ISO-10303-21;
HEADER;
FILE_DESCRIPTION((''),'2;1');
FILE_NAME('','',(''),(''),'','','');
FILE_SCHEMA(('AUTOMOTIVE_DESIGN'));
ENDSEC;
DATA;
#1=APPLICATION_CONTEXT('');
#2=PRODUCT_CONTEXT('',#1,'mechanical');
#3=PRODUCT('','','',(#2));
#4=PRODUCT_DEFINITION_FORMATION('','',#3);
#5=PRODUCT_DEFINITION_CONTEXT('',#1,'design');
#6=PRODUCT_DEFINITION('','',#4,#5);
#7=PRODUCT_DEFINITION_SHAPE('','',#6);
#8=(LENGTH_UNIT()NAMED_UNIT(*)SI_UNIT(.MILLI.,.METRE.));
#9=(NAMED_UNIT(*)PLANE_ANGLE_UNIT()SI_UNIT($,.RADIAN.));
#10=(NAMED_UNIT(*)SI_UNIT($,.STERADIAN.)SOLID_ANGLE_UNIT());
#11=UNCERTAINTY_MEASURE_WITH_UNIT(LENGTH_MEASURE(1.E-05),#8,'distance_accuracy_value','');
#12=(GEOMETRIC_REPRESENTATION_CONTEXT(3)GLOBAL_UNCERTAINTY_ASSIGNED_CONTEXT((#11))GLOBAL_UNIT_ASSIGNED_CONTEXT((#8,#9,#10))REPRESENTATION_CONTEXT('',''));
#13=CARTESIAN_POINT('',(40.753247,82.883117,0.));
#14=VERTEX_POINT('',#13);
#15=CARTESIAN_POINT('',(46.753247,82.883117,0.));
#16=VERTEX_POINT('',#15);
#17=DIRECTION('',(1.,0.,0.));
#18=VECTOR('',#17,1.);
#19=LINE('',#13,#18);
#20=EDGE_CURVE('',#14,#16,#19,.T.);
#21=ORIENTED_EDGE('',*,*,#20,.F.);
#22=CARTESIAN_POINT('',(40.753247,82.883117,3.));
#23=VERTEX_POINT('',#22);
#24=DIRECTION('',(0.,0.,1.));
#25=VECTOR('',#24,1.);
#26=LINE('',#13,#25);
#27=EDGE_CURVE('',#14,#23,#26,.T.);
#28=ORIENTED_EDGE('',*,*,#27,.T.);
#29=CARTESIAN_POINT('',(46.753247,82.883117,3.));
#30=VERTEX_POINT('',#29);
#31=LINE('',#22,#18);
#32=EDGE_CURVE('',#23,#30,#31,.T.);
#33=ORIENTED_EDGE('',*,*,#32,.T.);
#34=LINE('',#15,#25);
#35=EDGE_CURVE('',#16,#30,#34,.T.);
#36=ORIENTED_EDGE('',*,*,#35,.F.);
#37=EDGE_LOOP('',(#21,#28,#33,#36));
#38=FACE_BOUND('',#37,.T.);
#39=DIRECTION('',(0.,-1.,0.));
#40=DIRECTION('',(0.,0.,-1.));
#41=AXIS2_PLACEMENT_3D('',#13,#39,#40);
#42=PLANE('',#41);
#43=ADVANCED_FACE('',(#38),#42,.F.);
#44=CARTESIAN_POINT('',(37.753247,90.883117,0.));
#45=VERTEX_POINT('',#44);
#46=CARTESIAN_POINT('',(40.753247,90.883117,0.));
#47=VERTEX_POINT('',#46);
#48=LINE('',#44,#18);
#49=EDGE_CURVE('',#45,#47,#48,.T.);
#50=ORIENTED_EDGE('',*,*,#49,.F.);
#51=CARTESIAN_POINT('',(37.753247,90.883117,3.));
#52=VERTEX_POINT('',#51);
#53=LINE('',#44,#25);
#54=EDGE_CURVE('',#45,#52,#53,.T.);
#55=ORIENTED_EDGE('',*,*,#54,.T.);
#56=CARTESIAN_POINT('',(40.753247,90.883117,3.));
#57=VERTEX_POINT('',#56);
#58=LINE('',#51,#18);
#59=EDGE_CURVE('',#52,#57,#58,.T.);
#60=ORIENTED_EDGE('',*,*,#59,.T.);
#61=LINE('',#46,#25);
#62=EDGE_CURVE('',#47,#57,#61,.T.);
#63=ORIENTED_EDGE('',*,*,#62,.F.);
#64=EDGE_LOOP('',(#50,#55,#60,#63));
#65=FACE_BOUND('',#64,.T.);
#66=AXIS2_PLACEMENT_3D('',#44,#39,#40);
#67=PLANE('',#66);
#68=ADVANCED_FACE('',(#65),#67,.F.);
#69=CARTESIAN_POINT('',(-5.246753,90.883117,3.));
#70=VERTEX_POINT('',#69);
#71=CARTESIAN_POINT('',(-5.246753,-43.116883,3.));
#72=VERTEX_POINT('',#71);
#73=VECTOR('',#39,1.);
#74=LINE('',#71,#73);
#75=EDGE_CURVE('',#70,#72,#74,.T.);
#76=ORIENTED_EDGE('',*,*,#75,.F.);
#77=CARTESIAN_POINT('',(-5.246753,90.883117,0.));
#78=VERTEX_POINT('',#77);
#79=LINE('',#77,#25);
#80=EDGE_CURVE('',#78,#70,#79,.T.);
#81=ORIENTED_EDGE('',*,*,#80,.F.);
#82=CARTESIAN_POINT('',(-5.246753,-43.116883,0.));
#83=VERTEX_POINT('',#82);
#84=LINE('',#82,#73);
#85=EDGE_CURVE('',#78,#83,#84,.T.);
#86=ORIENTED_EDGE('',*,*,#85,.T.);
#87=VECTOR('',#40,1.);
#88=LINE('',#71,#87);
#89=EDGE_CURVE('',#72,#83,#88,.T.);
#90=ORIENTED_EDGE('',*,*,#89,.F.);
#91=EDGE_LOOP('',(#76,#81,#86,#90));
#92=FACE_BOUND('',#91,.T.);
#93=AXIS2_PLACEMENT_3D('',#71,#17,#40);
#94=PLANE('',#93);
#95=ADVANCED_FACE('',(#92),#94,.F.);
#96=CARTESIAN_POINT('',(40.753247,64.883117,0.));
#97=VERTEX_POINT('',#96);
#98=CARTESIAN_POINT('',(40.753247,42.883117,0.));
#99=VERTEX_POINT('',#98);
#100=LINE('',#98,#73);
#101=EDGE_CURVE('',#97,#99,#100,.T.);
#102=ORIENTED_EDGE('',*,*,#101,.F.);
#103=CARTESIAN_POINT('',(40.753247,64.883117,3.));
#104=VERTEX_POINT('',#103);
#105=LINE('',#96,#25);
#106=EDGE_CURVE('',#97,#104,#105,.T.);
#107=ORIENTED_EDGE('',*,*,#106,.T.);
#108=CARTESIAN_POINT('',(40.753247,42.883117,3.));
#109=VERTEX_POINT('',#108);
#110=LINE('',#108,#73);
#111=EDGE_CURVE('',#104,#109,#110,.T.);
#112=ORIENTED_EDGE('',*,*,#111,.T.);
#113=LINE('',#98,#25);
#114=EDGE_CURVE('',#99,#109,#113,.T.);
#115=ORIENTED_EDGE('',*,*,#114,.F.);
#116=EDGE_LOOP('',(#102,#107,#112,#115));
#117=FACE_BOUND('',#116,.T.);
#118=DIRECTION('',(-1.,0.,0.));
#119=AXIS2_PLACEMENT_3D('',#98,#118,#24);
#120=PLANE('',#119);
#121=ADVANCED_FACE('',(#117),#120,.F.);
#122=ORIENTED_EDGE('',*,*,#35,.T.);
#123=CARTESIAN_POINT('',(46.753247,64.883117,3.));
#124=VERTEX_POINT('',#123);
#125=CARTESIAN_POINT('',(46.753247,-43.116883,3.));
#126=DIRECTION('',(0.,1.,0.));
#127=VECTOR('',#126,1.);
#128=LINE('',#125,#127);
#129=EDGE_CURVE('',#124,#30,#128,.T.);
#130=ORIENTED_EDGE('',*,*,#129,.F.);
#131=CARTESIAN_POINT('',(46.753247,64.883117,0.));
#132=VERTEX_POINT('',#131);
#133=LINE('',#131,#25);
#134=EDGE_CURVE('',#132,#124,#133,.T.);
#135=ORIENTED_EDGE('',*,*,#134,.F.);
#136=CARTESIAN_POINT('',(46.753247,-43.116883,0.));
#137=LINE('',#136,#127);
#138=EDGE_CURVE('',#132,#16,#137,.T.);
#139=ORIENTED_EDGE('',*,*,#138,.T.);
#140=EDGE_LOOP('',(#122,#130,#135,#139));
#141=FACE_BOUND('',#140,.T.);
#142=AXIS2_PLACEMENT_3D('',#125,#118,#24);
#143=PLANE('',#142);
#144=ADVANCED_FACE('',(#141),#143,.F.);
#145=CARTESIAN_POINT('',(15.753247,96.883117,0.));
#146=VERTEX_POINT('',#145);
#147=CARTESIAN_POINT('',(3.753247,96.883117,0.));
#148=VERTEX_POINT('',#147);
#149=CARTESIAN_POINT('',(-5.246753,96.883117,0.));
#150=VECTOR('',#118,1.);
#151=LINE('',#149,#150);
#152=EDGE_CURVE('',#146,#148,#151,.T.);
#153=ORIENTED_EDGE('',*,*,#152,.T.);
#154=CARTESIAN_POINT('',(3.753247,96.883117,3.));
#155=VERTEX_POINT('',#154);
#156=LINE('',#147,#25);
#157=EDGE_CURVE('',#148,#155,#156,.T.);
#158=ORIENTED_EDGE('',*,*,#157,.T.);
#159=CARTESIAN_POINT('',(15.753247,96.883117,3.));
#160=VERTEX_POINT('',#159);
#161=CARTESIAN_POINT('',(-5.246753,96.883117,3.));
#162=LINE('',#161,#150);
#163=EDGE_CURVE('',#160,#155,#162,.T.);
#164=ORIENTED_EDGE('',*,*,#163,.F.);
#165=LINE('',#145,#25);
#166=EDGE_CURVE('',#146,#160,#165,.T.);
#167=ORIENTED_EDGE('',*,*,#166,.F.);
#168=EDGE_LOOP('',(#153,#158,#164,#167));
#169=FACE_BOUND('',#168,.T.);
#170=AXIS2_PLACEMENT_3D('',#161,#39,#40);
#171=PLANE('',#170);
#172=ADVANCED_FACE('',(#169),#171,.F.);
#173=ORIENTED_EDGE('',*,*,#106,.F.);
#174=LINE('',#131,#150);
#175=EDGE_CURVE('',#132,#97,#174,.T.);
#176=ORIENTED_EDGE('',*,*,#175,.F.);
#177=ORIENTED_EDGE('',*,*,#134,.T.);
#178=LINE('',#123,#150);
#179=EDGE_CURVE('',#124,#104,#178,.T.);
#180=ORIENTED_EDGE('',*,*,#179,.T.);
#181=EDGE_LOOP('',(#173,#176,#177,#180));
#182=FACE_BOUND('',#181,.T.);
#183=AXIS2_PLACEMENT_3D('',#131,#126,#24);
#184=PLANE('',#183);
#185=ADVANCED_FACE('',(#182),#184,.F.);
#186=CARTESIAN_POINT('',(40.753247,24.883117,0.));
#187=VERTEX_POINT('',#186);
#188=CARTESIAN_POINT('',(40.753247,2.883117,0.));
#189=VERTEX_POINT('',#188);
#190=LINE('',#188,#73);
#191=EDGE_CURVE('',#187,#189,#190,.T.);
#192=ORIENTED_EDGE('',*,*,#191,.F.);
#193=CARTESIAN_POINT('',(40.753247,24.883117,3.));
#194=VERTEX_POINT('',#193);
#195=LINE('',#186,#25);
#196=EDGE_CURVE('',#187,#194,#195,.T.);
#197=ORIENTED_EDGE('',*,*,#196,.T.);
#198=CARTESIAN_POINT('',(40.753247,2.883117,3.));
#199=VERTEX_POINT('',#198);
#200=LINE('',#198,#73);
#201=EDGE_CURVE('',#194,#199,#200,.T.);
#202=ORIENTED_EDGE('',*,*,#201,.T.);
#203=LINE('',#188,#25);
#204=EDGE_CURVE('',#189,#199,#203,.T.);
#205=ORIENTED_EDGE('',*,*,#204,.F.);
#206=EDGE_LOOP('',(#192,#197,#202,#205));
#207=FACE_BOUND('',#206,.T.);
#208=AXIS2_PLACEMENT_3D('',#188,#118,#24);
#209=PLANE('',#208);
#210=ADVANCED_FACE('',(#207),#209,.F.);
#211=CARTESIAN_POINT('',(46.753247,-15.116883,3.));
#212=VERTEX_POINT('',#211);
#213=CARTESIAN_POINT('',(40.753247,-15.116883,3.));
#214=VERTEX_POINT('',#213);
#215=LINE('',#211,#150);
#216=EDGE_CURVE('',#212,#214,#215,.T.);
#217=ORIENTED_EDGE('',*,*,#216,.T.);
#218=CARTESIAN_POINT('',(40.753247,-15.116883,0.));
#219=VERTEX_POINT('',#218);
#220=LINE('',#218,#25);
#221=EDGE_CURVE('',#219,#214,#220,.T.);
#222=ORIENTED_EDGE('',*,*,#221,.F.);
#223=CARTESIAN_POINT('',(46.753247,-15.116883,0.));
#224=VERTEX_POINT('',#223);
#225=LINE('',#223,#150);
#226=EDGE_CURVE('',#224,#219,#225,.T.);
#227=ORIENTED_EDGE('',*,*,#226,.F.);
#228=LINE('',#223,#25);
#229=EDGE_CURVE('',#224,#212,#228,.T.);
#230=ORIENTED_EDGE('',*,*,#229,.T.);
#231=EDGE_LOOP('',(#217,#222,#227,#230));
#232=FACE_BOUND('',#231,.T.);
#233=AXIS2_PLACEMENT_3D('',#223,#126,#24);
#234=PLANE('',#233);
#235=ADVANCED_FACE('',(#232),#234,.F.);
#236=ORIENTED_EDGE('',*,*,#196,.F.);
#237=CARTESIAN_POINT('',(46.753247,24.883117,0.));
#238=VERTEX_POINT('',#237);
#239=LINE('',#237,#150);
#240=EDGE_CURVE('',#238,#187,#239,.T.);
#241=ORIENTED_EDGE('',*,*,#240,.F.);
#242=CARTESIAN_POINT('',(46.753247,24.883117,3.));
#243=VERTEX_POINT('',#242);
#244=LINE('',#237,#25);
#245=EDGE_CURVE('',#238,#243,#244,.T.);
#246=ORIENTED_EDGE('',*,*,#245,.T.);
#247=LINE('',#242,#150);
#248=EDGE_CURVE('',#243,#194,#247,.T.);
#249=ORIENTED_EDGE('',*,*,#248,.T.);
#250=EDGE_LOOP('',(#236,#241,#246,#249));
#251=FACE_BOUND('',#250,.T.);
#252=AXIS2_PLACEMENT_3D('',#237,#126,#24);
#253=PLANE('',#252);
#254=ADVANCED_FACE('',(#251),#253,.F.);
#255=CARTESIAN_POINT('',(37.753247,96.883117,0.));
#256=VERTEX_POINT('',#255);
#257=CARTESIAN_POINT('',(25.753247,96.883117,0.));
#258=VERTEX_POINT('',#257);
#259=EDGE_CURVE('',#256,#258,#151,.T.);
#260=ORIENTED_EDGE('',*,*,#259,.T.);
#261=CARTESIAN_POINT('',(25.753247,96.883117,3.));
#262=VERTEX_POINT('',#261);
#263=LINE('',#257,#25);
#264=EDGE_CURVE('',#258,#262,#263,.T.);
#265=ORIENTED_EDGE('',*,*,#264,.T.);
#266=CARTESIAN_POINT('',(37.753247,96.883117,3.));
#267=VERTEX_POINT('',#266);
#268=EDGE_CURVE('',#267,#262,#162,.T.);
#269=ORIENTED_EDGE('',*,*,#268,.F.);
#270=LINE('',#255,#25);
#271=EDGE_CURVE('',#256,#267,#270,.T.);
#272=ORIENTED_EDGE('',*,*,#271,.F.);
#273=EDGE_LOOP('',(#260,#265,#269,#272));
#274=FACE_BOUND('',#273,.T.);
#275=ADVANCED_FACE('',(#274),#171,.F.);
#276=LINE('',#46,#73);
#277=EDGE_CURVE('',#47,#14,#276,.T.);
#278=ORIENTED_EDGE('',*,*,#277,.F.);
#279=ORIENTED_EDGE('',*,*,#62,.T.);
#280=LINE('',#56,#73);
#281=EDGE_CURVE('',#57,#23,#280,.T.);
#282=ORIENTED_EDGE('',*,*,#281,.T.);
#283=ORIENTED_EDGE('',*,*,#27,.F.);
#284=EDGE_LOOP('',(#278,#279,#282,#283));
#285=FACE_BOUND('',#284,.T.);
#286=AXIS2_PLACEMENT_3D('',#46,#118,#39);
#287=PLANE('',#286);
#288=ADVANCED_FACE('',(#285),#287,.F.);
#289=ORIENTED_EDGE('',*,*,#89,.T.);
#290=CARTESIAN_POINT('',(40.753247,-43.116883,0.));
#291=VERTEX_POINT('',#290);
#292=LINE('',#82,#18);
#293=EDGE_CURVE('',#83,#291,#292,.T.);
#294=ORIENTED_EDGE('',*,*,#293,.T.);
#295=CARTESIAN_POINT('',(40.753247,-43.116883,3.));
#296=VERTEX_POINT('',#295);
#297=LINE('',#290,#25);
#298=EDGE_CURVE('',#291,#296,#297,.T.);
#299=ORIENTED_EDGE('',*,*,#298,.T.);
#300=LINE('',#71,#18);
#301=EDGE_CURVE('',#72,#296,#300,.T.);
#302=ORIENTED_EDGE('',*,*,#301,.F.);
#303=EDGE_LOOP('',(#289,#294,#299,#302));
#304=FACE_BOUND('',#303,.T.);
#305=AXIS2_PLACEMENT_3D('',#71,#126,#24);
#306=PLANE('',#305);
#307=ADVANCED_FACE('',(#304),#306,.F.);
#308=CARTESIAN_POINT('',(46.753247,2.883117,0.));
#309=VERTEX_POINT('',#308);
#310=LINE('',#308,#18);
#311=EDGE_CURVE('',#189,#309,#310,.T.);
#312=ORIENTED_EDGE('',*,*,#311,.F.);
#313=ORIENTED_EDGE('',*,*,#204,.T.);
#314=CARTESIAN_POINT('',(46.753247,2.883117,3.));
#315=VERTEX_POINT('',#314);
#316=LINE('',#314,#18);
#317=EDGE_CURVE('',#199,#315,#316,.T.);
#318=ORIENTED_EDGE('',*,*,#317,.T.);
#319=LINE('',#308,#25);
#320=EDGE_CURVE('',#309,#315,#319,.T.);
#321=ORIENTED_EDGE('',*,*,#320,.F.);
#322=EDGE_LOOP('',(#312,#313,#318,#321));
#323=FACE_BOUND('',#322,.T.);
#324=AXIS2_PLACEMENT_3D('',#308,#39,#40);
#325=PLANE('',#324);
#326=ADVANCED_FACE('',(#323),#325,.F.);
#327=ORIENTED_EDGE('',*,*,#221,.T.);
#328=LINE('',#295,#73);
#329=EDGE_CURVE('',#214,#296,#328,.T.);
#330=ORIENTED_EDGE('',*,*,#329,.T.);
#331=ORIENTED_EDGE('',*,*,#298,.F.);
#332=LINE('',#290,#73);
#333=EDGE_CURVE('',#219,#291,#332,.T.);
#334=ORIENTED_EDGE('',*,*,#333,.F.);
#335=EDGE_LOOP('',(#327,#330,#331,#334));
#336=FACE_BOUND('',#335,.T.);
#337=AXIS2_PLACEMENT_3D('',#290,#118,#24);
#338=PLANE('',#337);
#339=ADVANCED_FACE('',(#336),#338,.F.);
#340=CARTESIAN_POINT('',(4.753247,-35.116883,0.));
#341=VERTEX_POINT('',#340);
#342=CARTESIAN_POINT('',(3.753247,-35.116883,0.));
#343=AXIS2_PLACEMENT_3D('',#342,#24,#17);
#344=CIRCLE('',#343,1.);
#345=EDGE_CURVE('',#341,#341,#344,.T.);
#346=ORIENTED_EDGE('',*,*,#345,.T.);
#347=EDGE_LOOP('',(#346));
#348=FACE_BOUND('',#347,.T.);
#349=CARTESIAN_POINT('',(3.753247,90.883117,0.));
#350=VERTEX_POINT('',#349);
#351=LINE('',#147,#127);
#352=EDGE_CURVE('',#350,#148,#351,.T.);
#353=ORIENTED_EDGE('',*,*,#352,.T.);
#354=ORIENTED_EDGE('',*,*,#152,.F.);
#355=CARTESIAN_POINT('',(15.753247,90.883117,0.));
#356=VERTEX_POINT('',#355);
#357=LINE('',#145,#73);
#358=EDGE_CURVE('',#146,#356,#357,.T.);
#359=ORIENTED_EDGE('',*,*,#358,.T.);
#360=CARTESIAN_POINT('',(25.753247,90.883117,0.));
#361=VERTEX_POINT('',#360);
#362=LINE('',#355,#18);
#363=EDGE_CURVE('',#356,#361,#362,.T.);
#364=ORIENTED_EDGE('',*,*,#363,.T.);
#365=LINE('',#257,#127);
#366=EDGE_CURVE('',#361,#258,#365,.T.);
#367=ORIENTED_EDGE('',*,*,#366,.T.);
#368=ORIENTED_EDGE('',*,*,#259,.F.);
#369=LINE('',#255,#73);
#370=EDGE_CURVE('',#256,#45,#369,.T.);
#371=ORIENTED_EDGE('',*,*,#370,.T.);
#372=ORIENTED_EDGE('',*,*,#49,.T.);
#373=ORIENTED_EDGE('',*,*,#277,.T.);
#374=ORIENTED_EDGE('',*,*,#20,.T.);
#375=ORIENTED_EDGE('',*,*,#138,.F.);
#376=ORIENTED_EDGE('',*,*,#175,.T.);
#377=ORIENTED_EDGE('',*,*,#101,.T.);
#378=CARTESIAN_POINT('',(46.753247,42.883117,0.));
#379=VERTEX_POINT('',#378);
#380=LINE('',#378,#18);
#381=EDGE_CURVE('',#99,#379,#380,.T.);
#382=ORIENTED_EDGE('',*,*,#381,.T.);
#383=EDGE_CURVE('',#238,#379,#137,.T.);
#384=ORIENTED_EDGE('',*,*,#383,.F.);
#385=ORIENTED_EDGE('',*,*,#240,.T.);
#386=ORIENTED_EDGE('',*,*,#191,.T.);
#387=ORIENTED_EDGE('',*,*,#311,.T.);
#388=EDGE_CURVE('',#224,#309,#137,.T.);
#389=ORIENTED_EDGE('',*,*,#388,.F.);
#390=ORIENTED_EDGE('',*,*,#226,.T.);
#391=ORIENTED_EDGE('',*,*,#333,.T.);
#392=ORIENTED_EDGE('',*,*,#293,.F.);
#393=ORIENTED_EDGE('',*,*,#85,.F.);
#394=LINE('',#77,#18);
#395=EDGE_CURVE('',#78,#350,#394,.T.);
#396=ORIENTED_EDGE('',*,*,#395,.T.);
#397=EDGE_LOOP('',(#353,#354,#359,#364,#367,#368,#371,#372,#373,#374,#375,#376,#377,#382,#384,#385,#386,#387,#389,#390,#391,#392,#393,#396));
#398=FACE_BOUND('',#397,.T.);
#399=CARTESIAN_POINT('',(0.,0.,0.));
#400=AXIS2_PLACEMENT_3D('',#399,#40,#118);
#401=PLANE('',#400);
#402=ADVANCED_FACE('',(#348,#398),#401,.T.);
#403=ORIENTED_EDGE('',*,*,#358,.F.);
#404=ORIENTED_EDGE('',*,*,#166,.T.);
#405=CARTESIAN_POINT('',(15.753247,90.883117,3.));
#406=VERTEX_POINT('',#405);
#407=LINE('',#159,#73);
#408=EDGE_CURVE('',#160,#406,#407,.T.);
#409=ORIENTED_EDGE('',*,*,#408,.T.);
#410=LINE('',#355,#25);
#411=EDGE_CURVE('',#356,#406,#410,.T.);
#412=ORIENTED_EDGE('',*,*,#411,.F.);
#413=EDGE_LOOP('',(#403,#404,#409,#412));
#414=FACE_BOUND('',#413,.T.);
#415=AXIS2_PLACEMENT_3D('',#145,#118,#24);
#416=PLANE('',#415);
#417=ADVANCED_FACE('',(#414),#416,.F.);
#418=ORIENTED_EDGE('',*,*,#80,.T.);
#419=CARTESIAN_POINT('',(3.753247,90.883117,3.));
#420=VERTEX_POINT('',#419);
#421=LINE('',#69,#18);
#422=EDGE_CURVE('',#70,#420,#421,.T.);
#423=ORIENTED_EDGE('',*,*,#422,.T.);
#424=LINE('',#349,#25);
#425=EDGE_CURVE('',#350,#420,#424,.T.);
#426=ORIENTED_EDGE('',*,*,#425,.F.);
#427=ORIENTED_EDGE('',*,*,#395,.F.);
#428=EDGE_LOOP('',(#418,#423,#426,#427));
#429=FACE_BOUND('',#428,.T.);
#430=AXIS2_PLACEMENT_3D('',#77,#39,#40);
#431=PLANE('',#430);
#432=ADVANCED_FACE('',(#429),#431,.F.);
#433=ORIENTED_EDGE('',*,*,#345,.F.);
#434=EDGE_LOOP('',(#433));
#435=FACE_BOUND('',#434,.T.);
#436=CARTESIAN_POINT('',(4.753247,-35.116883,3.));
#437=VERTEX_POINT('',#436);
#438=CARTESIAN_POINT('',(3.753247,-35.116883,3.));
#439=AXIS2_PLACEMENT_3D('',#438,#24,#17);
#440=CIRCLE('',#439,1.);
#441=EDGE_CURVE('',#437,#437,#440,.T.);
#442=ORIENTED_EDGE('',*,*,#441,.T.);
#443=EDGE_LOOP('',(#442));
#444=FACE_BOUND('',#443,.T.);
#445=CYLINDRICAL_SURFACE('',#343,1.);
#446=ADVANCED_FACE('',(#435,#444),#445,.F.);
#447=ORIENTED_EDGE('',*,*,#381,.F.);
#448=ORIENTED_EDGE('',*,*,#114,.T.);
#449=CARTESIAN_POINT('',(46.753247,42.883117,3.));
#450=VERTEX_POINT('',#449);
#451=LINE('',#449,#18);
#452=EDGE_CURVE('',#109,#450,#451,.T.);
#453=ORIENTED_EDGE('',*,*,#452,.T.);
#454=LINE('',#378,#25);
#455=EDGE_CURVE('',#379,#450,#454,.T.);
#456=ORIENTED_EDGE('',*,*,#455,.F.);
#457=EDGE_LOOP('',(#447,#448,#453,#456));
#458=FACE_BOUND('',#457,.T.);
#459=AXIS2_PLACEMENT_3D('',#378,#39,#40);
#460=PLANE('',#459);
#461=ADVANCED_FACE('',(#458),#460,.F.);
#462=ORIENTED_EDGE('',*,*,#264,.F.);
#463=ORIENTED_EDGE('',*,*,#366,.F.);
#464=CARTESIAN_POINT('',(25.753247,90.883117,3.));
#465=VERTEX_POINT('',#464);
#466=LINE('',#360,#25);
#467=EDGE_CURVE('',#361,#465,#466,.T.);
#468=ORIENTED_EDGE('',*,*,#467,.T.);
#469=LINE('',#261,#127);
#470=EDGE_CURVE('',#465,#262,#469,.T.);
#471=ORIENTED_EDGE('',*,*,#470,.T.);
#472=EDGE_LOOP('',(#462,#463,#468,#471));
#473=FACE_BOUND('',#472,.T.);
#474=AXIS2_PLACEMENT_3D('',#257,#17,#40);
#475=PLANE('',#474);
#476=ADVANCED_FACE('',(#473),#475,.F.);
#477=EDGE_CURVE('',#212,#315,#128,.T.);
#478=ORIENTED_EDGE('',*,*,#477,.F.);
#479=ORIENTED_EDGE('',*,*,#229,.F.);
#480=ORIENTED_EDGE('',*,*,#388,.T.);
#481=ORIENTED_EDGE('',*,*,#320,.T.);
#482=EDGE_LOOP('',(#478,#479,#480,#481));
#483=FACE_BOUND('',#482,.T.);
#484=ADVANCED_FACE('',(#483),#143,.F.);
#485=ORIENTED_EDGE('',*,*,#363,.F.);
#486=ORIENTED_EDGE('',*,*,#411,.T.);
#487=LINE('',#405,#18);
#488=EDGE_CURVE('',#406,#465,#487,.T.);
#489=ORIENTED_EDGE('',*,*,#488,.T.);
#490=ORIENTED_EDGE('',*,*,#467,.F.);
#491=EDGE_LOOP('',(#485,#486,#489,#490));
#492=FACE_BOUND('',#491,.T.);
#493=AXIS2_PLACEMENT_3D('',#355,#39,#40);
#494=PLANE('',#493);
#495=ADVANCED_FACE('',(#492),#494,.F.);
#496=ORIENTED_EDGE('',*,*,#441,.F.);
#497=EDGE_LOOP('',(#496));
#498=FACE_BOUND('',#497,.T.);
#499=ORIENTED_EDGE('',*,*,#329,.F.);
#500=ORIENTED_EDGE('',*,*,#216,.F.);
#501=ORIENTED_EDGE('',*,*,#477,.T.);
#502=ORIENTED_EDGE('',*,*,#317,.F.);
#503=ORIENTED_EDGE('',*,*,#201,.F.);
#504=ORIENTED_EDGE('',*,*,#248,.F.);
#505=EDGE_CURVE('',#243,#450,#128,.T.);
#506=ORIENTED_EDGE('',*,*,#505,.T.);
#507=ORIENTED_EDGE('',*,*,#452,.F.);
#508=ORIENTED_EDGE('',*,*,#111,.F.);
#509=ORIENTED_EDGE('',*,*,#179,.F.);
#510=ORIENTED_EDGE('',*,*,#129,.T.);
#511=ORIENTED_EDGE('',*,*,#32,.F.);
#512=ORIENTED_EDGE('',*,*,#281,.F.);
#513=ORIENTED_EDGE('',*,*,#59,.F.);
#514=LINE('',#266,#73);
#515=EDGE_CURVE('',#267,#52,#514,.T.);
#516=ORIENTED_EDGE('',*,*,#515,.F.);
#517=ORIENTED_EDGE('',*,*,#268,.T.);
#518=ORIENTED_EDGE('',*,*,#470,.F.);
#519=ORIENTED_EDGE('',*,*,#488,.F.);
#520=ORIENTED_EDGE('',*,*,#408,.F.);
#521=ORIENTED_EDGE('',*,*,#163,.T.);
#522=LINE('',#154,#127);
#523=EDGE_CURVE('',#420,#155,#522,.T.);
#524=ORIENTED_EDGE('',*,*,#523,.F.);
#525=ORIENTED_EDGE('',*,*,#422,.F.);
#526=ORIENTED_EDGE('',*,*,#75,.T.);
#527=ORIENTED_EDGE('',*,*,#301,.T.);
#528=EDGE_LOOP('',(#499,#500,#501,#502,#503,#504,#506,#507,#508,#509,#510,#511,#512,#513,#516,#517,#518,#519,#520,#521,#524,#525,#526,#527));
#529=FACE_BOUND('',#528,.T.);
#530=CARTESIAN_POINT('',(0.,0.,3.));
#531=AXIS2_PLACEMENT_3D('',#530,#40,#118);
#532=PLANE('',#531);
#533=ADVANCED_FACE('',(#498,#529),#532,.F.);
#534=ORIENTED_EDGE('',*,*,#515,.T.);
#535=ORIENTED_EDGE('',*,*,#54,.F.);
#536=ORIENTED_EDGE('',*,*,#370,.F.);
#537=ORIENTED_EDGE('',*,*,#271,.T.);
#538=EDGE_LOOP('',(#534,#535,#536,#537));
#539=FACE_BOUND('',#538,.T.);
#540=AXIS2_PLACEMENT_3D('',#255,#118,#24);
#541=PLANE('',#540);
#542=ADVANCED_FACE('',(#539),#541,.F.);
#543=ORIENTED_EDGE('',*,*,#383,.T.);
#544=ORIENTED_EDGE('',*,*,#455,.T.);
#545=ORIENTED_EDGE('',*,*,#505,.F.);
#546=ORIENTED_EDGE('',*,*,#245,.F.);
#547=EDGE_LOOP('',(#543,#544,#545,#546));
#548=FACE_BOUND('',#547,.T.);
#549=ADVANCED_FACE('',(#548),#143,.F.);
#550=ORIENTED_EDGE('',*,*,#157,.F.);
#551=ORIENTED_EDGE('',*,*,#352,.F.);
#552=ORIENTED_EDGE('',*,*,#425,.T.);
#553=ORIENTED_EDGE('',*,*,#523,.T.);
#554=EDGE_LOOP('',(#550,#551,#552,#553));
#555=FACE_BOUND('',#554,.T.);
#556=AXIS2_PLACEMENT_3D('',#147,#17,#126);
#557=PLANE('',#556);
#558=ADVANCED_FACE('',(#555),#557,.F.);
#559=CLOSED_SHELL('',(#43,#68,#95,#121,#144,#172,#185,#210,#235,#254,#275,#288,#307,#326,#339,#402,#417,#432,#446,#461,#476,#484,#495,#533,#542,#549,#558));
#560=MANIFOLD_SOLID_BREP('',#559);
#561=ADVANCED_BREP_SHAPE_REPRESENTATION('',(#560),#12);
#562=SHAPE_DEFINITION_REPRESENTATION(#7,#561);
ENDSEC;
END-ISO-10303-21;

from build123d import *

# Parameters (mm, degrees)
ESQUISSE1_W             = 52
ESQUISSE1_H             = 140
BOSS_EXTRU_1_DEPTH      = 3
ESQUISSE2_R             = 1
ESQUISSE2_W             = 9
ESQUISSE2_H             = 6
ESQUISSE2_W_2           = 10
ESQUISSE2_W_3           = 6
ESQUISSE2_H_2           = 22
ESQUISSE2_H_3           = 27.999999716
ENL_V_MAT_EXTRU_1_DEPTH = 108.616004474


with BuildPart() as part:
    # Esquisse1 → Boss.-Extru.1 (new body)
    with BuildSketch(Plane.XY):
        with Locations((20.753246753, 26.883116883)):
            Rectangle(ESQUISSE1_W, ESQUISSE1_H)
    extrude(amount=BOSS_EXTRU_1_DEPTH)

    # Esquisse2 → Enlèv. mat.-Extru.1 (cut, through all)
    with BuildSketch(Plane.XY.offset(3)):
        with Locations((3.753246753, -35.116883117)):
            Circle(ESQUISSE2_R)
        with Locations((-0.746753247, 93.883116883)):
            Rectangle(ESQUISSE2_W, ESQUISSE2_H)
        with Locations((20.753246753, 93.883116883)):
            Rectangle(ESQUISSE2_W_2, ESQUISSE2_H)
        Polygon((37.753246753, 96.883116883), (37.753246753, 90.883116883), (40.753246753, 90.883116883), (40.753246753, 82.883116599), (46.753246753, 82.883116599), (46.753246753, 96.883116883), align=None)
        with Locations((43.753246753, 53.883116599)):
            Rectangle(ESQUISSE2_W_3, ESQUISSE2_H_2)
        with Locations((43.753246753, 13.883116599)):
            Rectangle(ESQUISSE2_W_3, ESQUISSE2_H_2)
        with Locations((43.753246753, -29.116883259)):
            Rectangle(ESQUISSE2_W_3, ESQUISSE2_H_3)
    extrude(amount=-ENL_V_MAT_EXTRU_1_DEPTH, mode=Mode.SUBTRACT)


solid = part.part
